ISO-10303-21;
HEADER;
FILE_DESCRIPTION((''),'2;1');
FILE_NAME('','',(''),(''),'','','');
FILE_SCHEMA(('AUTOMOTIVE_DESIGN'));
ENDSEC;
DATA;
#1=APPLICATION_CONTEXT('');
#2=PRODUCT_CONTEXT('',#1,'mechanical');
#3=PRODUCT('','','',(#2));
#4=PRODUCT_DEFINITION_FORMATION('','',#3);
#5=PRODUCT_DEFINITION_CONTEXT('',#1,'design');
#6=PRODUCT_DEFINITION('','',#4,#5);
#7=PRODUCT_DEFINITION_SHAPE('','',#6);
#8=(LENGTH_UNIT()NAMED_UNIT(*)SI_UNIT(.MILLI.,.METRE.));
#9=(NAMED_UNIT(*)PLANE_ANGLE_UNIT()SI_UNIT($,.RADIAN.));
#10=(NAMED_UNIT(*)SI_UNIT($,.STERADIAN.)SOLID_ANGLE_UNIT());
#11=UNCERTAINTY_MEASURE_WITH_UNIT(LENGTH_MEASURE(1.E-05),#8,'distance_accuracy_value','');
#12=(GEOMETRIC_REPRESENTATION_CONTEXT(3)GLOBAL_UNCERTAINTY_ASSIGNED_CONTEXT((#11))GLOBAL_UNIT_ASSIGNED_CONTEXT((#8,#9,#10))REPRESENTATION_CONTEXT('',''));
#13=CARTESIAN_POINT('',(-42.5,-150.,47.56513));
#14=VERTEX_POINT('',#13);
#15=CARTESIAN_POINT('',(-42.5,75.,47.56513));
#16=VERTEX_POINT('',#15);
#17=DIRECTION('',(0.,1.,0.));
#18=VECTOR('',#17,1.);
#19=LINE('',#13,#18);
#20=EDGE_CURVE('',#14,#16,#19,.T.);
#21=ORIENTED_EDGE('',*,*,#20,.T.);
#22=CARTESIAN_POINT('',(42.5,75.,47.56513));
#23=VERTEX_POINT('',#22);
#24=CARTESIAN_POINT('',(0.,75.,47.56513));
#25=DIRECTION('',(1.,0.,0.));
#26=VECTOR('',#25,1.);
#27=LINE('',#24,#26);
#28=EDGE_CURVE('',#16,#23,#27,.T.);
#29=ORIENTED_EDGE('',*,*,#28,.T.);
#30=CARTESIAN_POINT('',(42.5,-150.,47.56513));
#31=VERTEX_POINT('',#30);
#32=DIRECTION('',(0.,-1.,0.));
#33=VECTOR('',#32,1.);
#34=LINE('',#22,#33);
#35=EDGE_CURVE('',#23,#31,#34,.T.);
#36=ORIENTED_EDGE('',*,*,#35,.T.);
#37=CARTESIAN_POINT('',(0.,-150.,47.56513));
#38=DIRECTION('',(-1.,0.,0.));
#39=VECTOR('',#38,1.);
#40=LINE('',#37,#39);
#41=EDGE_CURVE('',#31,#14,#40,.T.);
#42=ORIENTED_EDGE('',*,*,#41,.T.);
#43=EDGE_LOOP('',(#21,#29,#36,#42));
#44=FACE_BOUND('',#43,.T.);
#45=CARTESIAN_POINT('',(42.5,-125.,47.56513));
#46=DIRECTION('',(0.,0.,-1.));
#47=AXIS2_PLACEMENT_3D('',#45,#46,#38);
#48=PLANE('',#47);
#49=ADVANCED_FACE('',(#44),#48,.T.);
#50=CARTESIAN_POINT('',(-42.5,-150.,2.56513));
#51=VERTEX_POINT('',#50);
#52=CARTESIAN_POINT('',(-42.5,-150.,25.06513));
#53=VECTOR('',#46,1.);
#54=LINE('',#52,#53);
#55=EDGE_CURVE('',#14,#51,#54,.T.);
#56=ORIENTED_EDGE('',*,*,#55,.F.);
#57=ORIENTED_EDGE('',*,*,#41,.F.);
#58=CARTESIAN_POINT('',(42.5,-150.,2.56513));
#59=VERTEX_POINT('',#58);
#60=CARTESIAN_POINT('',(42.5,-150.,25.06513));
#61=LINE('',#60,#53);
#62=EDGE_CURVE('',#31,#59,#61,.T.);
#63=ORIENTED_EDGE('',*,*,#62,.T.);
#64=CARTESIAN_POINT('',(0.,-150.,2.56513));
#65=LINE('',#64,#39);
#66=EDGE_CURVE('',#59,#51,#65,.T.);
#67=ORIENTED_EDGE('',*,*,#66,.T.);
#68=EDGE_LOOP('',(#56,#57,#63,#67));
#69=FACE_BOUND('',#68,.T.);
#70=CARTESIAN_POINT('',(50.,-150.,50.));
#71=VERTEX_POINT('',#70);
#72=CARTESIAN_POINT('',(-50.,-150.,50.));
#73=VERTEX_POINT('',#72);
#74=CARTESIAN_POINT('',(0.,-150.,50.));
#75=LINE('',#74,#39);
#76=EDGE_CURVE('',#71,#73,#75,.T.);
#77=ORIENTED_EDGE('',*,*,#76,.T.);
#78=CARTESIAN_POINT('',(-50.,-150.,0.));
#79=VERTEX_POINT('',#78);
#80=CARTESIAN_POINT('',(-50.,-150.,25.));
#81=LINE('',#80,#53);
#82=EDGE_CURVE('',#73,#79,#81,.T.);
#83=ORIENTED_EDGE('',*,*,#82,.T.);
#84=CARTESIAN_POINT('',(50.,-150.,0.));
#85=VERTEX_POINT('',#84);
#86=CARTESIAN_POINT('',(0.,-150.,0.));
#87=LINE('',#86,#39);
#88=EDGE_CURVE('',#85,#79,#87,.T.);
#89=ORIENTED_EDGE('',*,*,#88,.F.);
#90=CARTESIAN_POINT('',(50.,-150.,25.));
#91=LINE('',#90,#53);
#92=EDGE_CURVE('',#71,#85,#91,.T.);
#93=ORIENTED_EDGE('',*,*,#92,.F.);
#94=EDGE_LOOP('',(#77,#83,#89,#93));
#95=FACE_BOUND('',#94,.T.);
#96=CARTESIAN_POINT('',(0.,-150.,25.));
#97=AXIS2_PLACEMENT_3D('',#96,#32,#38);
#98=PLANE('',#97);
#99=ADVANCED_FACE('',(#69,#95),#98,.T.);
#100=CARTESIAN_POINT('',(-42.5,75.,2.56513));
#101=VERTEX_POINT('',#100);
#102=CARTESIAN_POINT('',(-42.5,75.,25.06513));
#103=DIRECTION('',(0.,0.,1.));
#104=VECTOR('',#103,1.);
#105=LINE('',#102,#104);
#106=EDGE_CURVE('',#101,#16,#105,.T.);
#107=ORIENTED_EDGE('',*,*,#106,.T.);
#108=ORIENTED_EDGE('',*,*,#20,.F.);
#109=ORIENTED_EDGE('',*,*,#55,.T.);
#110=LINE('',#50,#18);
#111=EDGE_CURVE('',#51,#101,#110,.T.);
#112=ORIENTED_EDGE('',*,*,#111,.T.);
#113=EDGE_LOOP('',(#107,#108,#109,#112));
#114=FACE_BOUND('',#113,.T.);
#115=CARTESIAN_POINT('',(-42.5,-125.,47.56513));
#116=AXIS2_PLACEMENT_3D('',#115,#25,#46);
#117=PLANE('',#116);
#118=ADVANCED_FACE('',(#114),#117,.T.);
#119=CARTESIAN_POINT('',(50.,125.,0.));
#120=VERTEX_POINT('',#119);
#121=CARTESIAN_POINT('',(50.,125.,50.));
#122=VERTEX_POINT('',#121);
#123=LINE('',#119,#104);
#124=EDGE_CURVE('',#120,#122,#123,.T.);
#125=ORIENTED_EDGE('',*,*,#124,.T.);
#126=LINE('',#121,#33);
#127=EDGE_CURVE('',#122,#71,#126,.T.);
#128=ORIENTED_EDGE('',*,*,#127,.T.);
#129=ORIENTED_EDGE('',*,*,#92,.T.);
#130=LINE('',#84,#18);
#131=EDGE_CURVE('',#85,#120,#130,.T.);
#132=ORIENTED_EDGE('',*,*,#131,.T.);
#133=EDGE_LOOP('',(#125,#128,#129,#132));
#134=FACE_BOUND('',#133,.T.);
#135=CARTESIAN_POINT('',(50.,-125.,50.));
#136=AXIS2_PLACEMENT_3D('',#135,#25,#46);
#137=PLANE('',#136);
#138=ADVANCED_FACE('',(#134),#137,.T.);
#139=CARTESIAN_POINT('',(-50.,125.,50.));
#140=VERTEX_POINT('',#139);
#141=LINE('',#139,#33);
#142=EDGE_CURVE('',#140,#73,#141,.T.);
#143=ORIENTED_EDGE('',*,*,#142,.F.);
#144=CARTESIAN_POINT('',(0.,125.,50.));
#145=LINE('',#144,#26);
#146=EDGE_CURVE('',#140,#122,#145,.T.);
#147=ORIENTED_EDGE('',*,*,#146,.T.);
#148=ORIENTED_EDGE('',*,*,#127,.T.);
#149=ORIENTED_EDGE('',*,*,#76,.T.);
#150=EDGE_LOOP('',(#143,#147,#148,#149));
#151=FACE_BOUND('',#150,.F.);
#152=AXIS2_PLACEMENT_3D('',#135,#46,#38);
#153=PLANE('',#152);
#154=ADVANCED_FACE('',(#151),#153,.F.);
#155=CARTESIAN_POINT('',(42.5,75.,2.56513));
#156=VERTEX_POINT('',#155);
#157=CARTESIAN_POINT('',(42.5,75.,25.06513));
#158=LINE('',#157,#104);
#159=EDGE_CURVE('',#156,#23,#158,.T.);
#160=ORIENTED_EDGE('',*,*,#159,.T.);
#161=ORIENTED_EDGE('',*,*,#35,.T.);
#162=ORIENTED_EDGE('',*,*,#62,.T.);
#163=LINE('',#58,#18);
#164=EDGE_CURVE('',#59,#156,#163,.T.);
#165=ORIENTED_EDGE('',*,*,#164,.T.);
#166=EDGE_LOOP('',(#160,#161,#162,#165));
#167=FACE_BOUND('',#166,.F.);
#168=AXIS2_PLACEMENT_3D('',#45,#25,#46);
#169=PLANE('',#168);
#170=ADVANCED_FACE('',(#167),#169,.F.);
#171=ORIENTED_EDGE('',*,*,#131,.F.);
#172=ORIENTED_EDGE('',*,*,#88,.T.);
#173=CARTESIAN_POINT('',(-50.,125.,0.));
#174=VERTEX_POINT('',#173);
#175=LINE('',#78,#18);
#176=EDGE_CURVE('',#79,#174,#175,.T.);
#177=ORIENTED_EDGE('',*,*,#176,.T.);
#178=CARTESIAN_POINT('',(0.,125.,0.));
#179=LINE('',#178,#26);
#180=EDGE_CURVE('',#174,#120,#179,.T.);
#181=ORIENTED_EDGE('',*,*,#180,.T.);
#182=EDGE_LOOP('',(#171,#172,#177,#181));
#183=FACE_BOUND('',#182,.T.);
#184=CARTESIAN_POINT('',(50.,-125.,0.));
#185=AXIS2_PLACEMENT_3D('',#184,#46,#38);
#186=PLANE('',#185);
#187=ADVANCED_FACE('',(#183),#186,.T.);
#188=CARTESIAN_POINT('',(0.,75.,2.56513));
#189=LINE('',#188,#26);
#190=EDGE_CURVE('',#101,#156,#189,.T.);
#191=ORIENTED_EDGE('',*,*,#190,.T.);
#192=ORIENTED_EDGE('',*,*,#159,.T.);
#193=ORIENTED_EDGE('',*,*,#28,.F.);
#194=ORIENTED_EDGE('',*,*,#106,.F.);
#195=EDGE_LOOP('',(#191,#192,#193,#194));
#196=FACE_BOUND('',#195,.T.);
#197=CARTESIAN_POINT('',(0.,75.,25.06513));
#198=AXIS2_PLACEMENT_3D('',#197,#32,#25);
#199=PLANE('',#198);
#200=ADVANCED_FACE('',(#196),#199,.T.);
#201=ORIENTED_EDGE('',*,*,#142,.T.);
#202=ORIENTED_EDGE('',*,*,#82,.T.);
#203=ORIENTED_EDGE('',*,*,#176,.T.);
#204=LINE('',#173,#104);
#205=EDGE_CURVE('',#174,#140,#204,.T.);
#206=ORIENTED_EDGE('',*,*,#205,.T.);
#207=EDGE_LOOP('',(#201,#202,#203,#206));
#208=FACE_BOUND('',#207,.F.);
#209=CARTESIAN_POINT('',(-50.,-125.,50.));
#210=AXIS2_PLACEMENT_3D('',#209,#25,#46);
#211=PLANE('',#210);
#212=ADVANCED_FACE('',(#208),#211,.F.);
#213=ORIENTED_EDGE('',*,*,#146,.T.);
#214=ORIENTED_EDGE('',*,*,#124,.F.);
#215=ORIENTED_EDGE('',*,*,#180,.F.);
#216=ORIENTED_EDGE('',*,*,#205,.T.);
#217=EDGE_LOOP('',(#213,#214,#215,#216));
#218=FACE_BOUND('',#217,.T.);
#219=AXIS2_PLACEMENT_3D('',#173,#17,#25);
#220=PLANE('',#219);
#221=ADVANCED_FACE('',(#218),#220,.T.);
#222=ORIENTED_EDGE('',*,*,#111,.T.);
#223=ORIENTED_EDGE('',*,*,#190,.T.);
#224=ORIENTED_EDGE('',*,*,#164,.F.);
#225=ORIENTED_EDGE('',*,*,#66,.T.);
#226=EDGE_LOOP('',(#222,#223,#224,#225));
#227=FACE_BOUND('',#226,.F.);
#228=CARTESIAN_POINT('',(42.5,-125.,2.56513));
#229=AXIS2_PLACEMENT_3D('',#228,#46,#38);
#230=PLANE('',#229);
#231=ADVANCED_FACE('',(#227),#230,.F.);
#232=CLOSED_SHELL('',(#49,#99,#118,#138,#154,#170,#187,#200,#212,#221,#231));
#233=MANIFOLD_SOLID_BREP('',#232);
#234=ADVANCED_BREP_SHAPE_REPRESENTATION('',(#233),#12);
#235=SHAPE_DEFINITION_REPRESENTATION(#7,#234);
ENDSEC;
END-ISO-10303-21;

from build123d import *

# Parameters (mm, degrees)
SKETCH_W         = 100
SKETCH_H         = 250
PAD_DEPTH        = 50
SKETCH001_W      = 85
SKETCH001_H      = 45
POCKET_DEPTH     = 200
POCKET_FACE1_W   = 100
POCKET_FACE1_H   = 50
POCKET_FACE1_W_2 = 85
POCKET_FACE1_H_2 = 45
PAD001_DEPTH     = 25


with BuildPart() as part:
    # Sketch → Pad (new body)
    with BuildSketch(Plane.XY):
        Rectangle(SKETCH_W, SKETCH_H)
    extrude(amount=PAD_DEPTH)

    # Sketch001 (on Face1 of Pad) → Pocket (cut)
    with BuildSketch(Plane.XZ.offset(125)):
        with Locations((0, 25.06513)):
            Rectangle(SKETCH001_W, SKETCH001_H)
    extrude(amount=-POCKET_DEPTH, mode=Mode.SUBTRACT)

    # Pocket Face1 → Pad001 (add)
    with BuildSketch(Plane(origin=(0, -125, 24.787981), x_dir=(-1, 0, 0), z_dir=(0, -1, 0))):
        with Locations((0, -0.212019)):
            Rectangle(POCKET_FACE1_W, POCKET_FACE1_H)
        with Locations((0, -0.277149)):
            Rectangle(POCKET_FACE1_W_2, POCKET_FACE1_H_2, mode=Mode.SUBTRACT)
    extrude(amount=PAD001_DEPTH)


solid = part.part
